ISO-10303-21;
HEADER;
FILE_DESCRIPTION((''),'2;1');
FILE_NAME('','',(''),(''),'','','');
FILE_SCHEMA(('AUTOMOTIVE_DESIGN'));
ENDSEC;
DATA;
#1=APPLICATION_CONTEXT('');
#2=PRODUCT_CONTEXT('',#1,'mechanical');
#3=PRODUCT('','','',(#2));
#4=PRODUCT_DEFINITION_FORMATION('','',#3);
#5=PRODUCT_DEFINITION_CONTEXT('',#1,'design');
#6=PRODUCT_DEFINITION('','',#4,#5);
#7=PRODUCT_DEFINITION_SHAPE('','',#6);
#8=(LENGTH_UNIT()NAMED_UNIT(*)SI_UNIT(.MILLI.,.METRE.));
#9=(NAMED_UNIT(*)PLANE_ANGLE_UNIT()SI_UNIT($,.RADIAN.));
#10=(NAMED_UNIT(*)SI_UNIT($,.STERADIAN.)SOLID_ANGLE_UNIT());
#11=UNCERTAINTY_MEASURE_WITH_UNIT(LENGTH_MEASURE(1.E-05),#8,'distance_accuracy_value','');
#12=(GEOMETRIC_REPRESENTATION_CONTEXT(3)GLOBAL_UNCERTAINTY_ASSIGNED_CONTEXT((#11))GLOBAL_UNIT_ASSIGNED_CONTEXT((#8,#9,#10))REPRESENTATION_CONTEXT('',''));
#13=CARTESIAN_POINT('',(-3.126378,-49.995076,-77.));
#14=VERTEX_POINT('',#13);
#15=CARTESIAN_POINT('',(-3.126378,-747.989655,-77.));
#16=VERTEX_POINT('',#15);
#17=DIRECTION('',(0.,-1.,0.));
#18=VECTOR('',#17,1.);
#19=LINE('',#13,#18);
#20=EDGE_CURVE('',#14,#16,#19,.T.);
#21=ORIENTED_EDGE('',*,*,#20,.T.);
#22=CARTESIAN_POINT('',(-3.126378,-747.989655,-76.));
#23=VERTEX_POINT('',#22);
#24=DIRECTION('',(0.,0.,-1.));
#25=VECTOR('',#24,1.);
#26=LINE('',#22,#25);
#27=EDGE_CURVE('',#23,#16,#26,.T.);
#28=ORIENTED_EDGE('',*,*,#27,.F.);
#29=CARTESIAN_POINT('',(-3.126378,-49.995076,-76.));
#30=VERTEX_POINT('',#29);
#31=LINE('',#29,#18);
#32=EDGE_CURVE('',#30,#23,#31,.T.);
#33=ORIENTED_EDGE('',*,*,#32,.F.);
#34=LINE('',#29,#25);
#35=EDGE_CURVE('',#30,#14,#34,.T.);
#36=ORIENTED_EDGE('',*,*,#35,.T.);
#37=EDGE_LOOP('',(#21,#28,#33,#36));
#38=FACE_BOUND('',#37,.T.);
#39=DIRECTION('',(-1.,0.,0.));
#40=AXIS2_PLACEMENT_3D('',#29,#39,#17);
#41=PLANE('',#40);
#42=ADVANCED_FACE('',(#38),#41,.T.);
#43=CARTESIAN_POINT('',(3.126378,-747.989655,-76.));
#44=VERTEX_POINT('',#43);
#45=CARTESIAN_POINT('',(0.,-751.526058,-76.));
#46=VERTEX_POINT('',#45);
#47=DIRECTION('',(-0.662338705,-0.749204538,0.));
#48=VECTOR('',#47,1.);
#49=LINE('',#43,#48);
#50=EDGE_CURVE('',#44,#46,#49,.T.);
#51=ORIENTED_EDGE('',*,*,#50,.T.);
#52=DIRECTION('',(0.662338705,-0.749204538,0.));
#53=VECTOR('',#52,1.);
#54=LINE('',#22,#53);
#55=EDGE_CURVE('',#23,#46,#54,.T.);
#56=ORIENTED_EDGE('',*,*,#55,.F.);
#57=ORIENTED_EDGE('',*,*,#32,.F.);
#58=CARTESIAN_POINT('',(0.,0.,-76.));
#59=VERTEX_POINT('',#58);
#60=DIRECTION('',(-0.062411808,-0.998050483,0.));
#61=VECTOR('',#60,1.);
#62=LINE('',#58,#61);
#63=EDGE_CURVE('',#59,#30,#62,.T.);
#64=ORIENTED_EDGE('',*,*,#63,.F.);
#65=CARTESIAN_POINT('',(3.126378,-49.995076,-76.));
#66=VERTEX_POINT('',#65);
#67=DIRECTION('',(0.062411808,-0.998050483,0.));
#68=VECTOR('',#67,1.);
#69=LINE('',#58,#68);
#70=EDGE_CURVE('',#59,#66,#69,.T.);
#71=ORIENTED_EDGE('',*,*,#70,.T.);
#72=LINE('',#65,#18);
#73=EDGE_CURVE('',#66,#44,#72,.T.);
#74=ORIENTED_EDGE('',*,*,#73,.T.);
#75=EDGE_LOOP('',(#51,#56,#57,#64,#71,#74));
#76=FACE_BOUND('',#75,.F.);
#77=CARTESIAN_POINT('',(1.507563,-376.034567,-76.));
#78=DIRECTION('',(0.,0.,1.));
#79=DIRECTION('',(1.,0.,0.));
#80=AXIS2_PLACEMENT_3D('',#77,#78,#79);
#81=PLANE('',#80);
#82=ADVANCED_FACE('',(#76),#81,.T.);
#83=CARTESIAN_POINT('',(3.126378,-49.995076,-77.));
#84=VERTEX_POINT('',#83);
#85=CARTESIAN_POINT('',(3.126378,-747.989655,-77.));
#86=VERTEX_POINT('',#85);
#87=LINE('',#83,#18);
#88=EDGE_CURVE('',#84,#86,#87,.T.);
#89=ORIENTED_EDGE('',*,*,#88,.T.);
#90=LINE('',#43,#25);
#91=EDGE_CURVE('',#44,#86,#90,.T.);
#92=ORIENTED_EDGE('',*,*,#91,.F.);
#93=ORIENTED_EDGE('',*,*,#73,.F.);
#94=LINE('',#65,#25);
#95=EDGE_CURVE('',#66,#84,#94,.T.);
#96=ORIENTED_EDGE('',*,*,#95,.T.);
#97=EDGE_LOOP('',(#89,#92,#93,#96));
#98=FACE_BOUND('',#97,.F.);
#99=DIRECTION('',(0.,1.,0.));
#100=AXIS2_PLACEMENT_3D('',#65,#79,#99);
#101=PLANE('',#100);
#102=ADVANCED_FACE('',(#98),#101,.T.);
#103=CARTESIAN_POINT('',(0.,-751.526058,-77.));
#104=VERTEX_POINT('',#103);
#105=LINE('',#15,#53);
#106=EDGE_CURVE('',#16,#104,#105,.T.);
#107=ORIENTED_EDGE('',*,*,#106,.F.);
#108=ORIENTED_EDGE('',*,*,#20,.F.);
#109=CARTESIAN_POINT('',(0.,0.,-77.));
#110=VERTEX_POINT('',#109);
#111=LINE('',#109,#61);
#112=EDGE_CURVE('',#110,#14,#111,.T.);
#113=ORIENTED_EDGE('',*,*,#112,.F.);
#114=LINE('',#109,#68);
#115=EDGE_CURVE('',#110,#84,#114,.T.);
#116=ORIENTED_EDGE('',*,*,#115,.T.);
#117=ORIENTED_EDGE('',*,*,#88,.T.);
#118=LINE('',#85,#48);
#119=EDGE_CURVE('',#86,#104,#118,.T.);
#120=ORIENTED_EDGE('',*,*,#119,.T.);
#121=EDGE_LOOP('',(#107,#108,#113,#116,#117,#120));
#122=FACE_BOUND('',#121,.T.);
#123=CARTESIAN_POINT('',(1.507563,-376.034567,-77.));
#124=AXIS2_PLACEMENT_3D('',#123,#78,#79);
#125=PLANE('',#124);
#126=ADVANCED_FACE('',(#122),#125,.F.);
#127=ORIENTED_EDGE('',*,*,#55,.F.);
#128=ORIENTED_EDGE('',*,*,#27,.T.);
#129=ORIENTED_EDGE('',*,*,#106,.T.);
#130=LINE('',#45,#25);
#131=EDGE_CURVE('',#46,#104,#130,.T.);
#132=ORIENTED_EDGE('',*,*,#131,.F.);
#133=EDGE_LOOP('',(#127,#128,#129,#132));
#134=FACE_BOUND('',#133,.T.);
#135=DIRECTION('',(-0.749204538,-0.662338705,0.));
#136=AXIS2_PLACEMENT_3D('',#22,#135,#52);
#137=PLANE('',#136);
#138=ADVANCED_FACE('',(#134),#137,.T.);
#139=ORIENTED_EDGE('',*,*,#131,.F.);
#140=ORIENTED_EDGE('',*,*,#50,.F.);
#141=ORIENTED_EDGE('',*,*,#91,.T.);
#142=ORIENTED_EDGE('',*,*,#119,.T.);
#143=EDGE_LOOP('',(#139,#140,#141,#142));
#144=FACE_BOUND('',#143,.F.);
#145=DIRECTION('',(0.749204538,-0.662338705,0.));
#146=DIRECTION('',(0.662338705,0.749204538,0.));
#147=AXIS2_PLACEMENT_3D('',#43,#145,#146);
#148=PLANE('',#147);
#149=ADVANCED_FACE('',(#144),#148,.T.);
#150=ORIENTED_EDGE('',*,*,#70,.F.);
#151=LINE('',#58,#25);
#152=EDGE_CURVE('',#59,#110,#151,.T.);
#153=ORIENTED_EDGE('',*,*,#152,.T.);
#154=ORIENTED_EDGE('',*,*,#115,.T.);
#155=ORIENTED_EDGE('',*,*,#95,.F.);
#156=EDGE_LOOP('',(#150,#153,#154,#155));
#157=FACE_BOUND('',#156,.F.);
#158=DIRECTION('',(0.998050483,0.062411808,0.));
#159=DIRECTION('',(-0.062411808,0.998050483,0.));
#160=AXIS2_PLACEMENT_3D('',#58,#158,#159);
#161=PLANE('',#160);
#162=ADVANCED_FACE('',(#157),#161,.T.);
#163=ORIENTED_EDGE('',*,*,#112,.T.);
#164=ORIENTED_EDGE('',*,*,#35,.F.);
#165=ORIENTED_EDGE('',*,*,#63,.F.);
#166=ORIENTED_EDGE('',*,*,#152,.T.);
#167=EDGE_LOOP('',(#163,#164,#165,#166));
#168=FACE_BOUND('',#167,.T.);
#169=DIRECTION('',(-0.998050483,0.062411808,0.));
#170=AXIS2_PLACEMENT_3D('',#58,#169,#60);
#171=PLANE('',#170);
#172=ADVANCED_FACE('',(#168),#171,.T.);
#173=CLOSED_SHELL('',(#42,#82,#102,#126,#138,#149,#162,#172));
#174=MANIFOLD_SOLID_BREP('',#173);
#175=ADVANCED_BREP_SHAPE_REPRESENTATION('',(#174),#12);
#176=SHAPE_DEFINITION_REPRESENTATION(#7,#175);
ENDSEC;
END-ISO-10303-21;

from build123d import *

# Parameters (mm, degrees)
F14_DEPTH = 1


with BuildPart() as f14:
    # F13 (on offset) → F14 (new body)
    with BuildSketch(Plane.XY.offset(-76)):
        Polygon((0, -751.526058), (0, 0), (-3.126378, -49.995076), (-3.126378, -747.989655), align=None)
    extrude(amount=-F14_DEPTH)

    # F15: F14 across face


with BuildPart() as f14_1:
    add(f14.part)
    add(f14.part.mirror(Plane(origin=(0, -375.763029, -76.5), x_dir=(0, 1, 0), z_dir=(1, 0, 0))))


solid = f14_1.part
